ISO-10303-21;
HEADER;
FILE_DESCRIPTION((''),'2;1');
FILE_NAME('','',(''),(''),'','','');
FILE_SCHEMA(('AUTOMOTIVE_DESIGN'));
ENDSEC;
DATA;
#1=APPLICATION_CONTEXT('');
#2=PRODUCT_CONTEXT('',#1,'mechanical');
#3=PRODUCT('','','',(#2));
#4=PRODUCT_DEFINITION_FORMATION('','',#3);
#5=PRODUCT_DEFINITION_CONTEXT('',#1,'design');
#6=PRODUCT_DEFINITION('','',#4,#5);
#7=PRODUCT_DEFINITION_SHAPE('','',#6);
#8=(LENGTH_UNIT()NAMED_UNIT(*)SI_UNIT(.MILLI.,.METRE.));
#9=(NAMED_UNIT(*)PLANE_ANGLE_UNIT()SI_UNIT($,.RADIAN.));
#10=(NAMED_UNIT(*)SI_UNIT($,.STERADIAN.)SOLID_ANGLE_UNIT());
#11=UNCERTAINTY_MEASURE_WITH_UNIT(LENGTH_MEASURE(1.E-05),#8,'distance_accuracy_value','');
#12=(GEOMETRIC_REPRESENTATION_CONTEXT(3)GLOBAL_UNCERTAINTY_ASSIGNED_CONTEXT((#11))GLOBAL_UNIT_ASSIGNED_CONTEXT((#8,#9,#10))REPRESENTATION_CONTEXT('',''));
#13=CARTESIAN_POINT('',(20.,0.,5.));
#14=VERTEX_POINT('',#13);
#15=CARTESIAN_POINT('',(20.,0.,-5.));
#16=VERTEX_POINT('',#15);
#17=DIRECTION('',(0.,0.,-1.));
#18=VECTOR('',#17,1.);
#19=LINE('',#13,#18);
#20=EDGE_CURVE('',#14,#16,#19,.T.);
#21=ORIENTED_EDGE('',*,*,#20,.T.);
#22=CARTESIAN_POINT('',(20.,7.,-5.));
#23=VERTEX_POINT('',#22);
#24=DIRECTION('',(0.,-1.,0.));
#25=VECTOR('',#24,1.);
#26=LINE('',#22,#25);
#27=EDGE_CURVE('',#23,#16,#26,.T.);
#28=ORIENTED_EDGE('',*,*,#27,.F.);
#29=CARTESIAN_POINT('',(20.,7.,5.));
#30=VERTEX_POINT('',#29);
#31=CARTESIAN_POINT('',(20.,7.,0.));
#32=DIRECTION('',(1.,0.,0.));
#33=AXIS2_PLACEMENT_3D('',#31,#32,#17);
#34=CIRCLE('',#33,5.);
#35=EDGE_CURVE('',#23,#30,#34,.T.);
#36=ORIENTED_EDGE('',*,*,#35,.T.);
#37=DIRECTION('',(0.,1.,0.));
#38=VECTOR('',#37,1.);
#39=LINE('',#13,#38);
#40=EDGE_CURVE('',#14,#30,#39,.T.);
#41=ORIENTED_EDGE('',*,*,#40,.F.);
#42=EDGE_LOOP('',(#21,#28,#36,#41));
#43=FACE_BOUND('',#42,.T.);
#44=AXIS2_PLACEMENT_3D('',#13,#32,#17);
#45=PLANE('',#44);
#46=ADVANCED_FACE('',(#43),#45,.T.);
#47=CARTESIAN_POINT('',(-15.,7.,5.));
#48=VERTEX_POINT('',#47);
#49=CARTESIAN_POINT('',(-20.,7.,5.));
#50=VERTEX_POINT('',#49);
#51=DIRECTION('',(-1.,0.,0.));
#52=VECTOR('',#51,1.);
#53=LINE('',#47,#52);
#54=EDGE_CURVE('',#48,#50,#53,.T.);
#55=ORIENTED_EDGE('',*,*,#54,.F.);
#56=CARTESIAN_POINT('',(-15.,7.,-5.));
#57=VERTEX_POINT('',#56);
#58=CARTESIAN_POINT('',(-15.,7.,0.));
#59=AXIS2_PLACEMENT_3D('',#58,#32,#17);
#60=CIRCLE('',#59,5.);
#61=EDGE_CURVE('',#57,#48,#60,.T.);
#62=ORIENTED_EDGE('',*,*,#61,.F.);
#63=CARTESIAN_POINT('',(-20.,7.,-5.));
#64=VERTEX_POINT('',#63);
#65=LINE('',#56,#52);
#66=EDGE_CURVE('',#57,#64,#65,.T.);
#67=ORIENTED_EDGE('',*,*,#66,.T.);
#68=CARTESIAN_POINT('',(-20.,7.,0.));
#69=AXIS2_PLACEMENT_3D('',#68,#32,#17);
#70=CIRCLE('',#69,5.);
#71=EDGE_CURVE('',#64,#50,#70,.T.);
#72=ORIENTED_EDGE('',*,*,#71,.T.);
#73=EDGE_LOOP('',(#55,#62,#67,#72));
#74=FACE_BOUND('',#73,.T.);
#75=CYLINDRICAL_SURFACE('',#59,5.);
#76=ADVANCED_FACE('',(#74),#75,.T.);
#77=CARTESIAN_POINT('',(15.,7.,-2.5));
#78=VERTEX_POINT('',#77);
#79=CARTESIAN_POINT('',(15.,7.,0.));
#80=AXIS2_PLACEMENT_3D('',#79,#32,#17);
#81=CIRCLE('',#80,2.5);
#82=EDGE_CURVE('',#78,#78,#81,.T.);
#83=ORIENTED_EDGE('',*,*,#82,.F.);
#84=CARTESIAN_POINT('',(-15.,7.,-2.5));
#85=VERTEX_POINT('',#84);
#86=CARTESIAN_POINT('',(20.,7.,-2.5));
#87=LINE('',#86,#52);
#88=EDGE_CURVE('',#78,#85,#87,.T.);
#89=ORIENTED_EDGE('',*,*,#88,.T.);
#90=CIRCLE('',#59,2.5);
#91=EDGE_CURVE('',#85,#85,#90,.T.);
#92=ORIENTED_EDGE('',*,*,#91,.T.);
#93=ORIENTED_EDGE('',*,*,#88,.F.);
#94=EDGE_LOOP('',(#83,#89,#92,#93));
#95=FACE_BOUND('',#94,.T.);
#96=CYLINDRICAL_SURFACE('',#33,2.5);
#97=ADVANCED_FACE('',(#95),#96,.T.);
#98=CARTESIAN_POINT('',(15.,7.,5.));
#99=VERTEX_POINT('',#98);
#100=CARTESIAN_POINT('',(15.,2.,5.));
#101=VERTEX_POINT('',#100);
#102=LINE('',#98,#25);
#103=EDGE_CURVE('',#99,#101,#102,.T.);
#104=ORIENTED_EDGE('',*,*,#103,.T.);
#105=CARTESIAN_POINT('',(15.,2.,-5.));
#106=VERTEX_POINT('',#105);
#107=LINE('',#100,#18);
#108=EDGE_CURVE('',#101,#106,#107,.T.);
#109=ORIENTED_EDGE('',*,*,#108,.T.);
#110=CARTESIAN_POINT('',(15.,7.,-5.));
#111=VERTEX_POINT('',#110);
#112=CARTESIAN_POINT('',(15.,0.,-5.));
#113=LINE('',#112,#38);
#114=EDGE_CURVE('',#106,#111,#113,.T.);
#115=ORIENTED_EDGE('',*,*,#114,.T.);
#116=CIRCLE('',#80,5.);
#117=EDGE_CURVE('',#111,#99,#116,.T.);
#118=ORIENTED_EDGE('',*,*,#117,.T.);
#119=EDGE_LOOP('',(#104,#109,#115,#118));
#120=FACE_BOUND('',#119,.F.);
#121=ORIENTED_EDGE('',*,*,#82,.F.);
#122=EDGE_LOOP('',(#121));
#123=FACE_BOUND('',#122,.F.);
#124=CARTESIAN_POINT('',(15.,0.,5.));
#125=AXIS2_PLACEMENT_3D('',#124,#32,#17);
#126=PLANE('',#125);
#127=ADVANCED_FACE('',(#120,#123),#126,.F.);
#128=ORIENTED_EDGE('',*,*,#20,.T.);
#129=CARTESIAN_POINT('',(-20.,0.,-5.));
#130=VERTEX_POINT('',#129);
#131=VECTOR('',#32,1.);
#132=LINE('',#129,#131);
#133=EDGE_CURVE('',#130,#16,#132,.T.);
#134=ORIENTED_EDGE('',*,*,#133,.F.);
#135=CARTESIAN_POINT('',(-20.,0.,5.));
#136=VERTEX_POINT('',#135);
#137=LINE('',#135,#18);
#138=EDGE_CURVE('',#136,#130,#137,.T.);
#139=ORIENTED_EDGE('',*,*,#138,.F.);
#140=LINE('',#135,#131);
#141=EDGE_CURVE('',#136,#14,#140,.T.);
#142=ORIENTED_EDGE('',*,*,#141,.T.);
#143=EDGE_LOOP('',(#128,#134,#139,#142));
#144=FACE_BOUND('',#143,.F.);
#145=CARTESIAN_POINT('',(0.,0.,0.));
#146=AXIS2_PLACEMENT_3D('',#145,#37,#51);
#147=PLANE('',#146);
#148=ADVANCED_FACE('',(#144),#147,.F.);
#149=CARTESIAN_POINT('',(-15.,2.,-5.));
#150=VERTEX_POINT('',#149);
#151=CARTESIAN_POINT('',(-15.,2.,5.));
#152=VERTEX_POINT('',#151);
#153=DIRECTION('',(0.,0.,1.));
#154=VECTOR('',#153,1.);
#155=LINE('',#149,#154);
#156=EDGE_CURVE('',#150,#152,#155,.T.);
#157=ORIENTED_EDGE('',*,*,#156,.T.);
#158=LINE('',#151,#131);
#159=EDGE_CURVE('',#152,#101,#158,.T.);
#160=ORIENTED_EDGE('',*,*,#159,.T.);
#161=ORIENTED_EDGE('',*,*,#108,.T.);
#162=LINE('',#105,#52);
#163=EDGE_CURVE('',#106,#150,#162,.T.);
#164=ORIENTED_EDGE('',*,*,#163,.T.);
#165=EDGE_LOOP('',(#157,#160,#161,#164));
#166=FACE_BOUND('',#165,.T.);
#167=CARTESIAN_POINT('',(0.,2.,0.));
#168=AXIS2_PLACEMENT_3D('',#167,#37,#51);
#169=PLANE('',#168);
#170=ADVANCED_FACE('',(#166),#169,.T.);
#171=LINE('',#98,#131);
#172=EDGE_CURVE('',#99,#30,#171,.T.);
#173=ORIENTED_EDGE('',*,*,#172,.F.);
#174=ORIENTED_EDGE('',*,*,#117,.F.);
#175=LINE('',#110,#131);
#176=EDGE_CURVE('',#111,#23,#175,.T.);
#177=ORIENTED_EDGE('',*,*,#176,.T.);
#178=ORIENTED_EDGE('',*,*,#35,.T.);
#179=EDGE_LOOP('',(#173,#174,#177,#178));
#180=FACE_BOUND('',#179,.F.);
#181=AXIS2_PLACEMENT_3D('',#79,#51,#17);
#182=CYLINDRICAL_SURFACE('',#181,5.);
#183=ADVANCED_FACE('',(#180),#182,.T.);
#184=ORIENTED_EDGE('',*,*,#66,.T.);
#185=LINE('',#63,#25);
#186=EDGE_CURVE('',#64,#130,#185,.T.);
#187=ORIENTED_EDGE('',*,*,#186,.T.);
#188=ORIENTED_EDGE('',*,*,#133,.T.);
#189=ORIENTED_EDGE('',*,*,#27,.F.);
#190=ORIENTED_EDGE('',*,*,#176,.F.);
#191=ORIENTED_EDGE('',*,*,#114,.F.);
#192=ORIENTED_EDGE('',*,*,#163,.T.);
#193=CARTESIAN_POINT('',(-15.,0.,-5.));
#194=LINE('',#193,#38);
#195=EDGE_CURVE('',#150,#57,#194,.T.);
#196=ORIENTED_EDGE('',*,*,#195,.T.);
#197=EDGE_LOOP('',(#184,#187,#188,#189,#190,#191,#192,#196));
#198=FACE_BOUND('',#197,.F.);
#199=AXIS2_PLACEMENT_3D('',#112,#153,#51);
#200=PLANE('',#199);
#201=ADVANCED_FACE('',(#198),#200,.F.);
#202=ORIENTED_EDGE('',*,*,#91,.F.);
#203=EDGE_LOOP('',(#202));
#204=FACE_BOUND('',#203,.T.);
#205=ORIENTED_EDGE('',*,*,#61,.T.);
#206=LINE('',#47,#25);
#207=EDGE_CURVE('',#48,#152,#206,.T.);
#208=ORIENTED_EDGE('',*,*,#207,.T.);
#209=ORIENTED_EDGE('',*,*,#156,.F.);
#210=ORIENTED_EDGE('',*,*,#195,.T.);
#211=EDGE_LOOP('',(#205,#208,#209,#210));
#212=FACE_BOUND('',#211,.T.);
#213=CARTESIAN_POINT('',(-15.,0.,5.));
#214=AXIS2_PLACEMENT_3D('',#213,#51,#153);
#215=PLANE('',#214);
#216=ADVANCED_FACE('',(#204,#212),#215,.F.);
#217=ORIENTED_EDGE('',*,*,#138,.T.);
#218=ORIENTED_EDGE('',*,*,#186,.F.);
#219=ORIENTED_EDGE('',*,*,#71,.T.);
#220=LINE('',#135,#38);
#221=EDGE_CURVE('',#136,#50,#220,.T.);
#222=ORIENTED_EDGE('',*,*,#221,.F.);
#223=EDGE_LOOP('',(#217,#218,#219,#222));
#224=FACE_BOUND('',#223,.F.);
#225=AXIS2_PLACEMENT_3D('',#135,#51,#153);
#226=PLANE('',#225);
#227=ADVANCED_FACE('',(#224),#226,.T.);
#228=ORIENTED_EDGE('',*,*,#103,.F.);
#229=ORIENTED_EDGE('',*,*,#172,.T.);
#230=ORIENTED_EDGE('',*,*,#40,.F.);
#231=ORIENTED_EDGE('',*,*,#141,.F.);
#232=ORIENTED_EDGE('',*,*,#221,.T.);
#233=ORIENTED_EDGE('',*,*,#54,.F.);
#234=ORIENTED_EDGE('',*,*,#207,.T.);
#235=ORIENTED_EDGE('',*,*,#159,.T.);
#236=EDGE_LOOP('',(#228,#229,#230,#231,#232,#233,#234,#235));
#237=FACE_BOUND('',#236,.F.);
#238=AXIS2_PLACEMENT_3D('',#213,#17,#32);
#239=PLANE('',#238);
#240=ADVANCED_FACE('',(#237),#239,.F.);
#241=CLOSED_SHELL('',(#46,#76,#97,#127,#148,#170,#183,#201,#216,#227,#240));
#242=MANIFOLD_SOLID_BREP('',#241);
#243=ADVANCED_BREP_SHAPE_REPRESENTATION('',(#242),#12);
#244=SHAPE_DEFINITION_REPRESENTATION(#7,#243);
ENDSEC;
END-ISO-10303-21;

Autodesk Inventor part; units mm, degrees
ref_plane "YZ Plane" through (0, 0, 0) normal (1, 0, 0) x (0, 1, 0)
ref_plane "XZ Plane" through (0, 0, 0) normal (0, 1, 0) x (-1, 0, 0)
ref_plane "XY Plane" through (0, 0, 0) normal (0, 0, 1) x (1, 0, 0)
sketch "スケッチ1" plane through (0, 0, 0) normal (0, 1, 0) x (-1, 0, 0)
  line L0 (-15, -5) -> (15, -5)
  line L1 (15, -5) -> (15, 5)
  line L2 (15, 5) -> (-15, 5)
  line L3 (-15, 5) -> (-15, -5)
  line L4 (-15, -5) -> (15, 5) construction
  line L5 (15, -5) -> (-15, 5) construction
  point P0 (0, 0)
  dimension "d0" = 30
  dimension "d1" = 10
extrude "押し出し1" add sketch "スケッチ1" along normal blind 2
sketch "スケッチ2" plane through (15, 0, 5) normal (1, 0, 0) x (0, 0, -1)
  circle A0 centre (5, 7) radius 2.5
  circle A1 centre (5, 7) radius 5
  line L0 (0, 2) -> (10, 2) projected
  line L1 (10, 0) -> (10, 2) projected
  line L2 (0, 0) -> (0, 2) projected
  line L3 (0, 2) -> (0, 7)
  line L4 (10, 2) -> (10, 7)
  line L5 (0, 0) -> (10, 0) projected
  point P0 (5, 0)
  dimension "d4" = 5
extrude "押し出し2" add sketch "スケッチ2" along normal blind 5
mirror "ミラー1" about plane through (0, 0, 0) normal (1, 0, 0) of "押し出し2"
sketch "スケッチ3" plane through (20, 0, 5) normal (1, 0, 0) x (0, 0, -1)
  circle A0 centre (5, 7) radius 2.5 projected
  point P0 (5, 0)
extrude "押し出し3" add sketch "スケッチ3" against normal up to surface (40 mm away)
properties part number "arm_base"
